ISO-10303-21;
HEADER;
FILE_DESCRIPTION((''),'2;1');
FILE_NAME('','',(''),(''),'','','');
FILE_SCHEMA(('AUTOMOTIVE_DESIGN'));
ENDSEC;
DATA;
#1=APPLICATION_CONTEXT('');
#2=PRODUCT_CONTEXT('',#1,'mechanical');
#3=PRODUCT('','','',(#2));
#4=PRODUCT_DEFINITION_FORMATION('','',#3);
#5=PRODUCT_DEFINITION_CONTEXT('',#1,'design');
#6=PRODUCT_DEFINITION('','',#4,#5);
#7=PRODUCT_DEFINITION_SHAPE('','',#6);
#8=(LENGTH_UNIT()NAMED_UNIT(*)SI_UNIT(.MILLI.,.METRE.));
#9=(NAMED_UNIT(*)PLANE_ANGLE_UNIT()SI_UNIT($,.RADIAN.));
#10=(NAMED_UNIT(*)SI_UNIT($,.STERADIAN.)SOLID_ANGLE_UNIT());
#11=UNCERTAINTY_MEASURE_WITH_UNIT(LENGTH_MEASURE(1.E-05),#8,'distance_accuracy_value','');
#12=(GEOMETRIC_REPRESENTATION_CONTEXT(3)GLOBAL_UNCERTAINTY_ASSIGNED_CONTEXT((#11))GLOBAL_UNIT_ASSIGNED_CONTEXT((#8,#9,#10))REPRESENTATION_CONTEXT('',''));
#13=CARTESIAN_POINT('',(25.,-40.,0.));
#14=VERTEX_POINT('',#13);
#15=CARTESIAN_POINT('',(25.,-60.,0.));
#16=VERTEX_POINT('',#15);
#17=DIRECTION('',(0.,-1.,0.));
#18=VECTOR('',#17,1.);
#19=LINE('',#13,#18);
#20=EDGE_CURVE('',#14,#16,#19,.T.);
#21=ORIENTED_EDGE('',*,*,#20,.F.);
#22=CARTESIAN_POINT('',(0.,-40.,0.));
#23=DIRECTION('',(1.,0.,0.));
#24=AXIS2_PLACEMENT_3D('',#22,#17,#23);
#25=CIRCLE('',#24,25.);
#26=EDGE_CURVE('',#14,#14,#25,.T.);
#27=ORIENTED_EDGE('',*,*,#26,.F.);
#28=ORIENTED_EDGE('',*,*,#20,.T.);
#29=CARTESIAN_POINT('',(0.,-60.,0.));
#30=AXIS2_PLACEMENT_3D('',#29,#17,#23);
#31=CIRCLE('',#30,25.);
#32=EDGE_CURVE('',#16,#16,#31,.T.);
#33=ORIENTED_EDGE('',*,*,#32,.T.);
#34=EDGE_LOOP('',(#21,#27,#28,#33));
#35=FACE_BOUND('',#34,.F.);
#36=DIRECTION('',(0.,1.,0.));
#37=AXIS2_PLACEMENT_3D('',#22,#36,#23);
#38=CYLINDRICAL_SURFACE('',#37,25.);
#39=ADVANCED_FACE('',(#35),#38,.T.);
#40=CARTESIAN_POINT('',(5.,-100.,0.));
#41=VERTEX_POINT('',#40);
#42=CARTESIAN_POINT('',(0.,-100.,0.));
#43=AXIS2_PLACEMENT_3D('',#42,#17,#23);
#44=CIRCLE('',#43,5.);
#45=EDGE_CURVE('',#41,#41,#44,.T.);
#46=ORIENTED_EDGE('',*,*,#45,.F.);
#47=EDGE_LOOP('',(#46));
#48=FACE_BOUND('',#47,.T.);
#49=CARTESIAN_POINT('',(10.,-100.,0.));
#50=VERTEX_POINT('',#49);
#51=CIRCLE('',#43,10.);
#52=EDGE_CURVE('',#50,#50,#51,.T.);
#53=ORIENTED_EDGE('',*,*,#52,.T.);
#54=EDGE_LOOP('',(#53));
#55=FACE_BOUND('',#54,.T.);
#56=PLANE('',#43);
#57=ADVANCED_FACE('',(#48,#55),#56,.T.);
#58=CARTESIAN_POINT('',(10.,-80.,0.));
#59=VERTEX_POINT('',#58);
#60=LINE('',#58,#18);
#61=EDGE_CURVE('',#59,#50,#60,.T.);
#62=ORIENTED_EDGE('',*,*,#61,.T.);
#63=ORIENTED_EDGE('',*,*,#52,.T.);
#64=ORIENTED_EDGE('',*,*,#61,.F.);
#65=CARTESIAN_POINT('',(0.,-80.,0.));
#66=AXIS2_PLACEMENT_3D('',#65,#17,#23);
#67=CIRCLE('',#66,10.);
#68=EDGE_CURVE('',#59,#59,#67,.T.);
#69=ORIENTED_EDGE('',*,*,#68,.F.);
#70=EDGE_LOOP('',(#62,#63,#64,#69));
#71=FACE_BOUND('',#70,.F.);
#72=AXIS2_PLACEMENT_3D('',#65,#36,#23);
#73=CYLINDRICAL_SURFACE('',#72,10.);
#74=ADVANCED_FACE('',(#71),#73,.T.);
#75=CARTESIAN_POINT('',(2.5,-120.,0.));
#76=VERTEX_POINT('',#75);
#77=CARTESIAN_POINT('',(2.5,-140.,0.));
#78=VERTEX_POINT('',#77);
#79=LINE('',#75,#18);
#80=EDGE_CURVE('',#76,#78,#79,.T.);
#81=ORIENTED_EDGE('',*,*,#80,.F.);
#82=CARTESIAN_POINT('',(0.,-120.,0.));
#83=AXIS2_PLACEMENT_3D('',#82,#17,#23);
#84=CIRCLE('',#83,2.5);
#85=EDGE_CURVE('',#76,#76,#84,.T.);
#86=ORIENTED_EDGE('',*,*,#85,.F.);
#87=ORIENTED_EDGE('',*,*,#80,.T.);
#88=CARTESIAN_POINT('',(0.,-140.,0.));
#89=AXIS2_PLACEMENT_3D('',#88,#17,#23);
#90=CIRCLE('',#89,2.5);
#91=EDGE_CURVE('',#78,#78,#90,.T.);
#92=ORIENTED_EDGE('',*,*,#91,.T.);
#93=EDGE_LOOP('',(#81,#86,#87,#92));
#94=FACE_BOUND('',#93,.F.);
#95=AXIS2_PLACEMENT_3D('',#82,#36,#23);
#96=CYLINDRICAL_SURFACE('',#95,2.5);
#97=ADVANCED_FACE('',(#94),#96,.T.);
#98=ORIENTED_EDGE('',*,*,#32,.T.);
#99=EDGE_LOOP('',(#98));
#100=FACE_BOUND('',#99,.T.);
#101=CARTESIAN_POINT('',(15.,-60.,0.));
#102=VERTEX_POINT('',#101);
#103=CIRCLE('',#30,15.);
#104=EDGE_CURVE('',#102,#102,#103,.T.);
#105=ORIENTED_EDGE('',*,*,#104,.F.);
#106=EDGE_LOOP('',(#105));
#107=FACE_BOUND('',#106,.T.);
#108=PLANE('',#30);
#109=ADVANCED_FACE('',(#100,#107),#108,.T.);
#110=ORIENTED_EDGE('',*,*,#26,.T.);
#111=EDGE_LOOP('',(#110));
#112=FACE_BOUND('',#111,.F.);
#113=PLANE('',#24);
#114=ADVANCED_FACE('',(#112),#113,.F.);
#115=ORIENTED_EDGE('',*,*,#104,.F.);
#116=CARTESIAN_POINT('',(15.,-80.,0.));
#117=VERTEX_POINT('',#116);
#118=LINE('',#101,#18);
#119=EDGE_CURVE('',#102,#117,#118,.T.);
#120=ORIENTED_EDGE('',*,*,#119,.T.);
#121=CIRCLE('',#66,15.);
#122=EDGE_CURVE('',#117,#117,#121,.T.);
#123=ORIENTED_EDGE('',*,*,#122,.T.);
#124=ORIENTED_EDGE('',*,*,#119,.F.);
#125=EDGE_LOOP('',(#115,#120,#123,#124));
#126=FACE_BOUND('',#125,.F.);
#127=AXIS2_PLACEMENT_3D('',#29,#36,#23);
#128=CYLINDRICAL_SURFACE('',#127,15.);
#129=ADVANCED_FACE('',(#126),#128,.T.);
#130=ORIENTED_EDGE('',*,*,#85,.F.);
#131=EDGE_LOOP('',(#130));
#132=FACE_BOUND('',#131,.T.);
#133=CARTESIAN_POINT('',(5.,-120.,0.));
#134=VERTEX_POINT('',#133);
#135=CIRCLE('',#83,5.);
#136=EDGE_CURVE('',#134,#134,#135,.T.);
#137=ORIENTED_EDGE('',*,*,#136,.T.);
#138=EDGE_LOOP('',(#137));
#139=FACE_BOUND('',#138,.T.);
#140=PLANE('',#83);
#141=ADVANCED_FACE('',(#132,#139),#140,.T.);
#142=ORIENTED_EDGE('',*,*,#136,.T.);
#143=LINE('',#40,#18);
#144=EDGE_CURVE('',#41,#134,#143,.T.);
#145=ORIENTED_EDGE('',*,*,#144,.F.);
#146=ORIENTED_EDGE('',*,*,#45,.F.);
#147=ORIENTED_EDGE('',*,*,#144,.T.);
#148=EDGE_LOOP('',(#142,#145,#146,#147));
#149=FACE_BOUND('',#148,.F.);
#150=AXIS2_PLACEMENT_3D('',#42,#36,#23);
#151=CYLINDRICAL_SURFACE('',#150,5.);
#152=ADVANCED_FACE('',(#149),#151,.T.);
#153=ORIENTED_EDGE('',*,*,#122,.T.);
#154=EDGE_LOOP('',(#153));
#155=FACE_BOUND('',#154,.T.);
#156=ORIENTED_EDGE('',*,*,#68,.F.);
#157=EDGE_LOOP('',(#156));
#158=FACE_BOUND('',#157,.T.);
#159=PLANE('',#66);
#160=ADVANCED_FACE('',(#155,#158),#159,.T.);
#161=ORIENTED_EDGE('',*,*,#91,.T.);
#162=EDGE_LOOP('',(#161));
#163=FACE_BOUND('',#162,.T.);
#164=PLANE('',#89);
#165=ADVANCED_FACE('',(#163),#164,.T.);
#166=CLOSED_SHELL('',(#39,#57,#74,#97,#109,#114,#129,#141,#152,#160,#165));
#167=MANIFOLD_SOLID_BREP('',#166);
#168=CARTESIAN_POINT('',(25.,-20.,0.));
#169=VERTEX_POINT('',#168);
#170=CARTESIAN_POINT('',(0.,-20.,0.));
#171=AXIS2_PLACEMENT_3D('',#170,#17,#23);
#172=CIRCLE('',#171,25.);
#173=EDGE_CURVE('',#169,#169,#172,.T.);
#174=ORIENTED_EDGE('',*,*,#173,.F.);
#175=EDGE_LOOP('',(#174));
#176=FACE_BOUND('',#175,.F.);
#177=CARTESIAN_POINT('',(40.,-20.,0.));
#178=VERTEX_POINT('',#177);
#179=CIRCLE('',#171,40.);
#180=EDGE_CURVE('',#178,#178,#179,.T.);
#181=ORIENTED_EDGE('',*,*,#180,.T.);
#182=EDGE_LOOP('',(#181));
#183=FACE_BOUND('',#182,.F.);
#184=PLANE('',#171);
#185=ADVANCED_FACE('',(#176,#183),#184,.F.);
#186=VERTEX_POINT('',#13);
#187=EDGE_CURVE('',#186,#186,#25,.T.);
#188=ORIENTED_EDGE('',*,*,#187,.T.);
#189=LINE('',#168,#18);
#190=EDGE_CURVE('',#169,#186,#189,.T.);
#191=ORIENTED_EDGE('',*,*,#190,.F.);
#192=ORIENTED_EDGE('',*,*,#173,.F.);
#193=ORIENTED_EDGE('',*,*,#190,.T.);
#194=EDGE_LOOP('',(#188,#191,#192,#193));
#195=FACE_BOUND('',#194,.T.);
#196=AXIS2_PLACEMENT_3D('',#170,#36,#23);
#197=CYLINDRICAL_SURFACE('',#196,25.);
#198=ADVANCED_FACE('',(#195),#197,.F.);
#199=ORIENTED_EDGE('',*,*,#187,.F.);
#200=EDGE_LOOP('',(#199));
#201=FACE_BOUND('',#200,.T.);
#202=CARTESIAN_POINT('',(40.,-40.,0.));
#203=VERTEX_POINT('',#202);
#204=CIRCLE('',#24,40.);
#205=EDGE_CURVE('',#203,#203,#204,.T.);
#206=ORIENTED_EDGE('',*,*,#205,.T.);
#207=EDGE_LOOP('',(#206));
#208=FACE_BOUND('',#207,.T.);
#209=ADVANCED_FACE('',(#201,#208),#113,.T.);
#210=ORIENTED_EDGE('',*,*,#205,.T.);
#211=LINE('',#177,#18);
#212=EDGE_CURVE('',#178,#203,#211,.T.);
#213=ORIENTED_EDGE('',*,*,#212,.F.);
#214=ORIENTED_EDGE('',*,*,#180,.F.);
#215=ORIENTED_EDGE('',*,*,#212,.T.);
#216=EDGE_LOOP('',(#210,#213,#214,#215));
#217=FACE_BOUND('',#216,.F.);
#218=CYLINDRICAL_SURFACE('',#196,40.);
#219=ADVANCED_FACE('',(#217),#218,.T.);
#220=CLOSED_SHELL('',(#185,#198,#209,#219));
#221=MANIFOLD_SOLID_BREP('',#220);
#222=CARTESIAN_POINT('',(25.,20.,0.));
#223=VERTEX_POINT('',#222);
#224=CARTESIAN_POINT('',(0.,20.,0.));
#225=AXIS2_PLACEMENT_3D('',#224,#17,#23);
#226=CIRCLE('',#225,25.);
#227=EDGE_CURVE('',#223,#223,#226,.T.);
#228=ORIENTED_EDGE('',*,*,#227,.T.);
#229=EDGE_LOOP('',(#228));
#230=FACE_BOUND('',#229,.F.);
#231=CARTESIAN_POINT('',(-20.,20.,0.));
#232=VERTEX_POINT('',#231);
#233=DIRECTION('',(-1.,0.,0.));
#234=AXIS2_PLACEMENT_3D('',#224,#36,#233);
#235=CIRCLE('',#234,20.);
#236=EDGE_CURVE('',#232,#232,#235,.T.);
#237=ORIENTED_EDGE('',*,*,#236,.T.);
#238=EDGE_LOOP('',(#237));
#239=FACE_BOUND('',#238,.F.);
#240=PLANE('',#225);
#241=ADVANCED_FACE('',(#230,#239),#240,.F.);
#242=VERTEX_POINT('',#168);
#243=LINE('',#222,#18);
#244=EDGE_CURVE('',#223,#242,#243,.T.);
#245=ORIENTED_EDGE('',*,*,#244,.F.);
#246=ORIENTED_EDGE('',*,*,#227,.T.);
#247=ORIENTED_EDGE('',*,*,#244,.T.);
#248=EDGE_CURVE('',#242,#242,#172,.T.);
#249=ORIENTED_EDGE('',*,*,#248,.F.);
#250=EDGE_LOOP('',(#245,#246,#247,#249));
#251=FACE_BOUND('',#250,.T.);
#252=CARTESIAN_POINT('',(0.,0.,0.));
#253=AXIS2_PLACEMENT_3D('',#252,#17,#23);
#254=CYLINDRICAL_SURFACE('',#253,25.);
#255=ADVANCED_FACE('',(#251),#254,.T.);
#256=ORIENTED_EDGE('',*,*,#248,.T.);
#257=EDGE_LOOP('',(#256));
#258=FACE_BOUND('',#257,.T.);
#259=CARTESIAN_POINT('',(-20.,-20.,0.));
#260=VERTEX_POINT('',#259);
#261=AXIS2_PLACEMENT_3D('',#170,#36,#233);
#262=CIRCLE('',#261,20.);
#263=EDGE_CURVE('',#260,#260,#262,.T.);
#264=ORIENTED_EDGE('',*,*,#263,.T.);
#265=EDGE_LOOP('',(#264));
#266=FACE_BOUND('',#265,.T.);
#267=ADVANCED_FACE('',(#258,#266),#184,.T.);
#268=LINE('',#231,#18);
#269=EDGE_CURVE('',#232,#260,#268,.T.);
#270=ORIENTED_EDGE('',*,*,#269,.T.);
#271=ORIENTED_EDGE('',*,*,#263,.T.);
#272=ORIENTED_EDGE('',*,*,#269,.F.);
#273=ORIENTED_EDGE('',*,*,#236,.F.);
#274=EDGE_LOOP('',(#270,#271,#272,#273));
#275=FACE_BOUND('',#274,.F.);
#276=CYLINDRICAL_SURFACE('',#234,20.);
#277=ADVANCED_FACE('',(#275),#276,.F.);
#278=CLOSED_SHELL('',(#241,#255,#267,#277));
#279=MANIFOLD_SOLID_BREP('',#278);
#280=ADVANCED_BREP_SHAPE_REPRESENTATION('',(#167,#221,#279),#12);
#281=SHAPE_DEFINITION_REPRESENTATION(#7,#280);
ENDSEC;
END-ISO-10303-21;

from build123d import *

# Parameters (mm, degrees)
F0_R      = 25
F1_DEPTH  = 20
F2_DEPTH  = 20
F3_R      = 40
F3_R_2    = 25
F4_DEPTH  = 20
F5_R      = 25
F6_DEPTH  = 20
F7_R      = 20
F8_DEPTH  = 40
F9_R      = 15
F10_DEPTH = 20
F11_R     = 10
F12_DEPTH = 20
F13_R     = 5
F14_DEPTH = 20
F15_R     = 2.5
F16_DEPTH = 20


with BuildPart() as f1:
    # F0 (on Front) → F1 (new body)
    with BuildSketch(Plane.XZ):
        Circle(F0_R)
    extrude(amount=F1_DEPTH)

    # F2 (add): a face of the model
    f2_faces = [f1.faces().sort_by_distance(p)[0] for p in [
        (0, 0, 0),
    ]]
    extrude(f2_faces, amount=F2_DEPTH)

    # F7 (on face) → F8 (cut)
    with BuildSketch(Plane(origin=(0, 20, 0), x_dir=(-1, 0, 0), z_dir=(0, 1, 0))):
        Circle(F7_R)
    extrude(amount=-F8_DEPTH, mode=Mode.SUBTRACT)


with BuildPart() as f4:
    # F3 (on face) → F4 (new body)
    with BuildSketch(Plane.XZ.offset(20)):
        Circle(F3_R)
        Circle(F3_R_2, mode=Mode.SUBTRACT)
    extrude(amount=F4_DEPTH)


with BuildPart() as f6:
    # F5 (on face) → F6 (new body)
    with BuildSketch(Plane.XZ.offset(40)):
        Circle(F5_R)
    extrude(amount=F6_DEPTH)

    # F9 (on face) → F10 (join)
    with BuildSketch(Plane.XZ.offset(60)):
        Circle(F9_R)
    extrude(amount=F10_DEPTH)

    # F11 (on face) → F12 (join)
    with BuildSketch(Plane.XZ.offset(80)):
        Circle(F11_R)
    extrude(amount=F12_DEPTH)

    # F13 (on face) → F14 (join)
    with BuildSketch(Plane.XZ.offset(100)):
        Circle(F13_R)
    extrude(amount=F14_DEPTH)

    # F15 (on face) → F16 (join)
    with BuildSketch(Plane.XZ.offset(120)):
        Circle(F15_R)
    extrude(amount=F16_DEPTH)


solid = Compound([f1.part, f4.part, f6.part])
